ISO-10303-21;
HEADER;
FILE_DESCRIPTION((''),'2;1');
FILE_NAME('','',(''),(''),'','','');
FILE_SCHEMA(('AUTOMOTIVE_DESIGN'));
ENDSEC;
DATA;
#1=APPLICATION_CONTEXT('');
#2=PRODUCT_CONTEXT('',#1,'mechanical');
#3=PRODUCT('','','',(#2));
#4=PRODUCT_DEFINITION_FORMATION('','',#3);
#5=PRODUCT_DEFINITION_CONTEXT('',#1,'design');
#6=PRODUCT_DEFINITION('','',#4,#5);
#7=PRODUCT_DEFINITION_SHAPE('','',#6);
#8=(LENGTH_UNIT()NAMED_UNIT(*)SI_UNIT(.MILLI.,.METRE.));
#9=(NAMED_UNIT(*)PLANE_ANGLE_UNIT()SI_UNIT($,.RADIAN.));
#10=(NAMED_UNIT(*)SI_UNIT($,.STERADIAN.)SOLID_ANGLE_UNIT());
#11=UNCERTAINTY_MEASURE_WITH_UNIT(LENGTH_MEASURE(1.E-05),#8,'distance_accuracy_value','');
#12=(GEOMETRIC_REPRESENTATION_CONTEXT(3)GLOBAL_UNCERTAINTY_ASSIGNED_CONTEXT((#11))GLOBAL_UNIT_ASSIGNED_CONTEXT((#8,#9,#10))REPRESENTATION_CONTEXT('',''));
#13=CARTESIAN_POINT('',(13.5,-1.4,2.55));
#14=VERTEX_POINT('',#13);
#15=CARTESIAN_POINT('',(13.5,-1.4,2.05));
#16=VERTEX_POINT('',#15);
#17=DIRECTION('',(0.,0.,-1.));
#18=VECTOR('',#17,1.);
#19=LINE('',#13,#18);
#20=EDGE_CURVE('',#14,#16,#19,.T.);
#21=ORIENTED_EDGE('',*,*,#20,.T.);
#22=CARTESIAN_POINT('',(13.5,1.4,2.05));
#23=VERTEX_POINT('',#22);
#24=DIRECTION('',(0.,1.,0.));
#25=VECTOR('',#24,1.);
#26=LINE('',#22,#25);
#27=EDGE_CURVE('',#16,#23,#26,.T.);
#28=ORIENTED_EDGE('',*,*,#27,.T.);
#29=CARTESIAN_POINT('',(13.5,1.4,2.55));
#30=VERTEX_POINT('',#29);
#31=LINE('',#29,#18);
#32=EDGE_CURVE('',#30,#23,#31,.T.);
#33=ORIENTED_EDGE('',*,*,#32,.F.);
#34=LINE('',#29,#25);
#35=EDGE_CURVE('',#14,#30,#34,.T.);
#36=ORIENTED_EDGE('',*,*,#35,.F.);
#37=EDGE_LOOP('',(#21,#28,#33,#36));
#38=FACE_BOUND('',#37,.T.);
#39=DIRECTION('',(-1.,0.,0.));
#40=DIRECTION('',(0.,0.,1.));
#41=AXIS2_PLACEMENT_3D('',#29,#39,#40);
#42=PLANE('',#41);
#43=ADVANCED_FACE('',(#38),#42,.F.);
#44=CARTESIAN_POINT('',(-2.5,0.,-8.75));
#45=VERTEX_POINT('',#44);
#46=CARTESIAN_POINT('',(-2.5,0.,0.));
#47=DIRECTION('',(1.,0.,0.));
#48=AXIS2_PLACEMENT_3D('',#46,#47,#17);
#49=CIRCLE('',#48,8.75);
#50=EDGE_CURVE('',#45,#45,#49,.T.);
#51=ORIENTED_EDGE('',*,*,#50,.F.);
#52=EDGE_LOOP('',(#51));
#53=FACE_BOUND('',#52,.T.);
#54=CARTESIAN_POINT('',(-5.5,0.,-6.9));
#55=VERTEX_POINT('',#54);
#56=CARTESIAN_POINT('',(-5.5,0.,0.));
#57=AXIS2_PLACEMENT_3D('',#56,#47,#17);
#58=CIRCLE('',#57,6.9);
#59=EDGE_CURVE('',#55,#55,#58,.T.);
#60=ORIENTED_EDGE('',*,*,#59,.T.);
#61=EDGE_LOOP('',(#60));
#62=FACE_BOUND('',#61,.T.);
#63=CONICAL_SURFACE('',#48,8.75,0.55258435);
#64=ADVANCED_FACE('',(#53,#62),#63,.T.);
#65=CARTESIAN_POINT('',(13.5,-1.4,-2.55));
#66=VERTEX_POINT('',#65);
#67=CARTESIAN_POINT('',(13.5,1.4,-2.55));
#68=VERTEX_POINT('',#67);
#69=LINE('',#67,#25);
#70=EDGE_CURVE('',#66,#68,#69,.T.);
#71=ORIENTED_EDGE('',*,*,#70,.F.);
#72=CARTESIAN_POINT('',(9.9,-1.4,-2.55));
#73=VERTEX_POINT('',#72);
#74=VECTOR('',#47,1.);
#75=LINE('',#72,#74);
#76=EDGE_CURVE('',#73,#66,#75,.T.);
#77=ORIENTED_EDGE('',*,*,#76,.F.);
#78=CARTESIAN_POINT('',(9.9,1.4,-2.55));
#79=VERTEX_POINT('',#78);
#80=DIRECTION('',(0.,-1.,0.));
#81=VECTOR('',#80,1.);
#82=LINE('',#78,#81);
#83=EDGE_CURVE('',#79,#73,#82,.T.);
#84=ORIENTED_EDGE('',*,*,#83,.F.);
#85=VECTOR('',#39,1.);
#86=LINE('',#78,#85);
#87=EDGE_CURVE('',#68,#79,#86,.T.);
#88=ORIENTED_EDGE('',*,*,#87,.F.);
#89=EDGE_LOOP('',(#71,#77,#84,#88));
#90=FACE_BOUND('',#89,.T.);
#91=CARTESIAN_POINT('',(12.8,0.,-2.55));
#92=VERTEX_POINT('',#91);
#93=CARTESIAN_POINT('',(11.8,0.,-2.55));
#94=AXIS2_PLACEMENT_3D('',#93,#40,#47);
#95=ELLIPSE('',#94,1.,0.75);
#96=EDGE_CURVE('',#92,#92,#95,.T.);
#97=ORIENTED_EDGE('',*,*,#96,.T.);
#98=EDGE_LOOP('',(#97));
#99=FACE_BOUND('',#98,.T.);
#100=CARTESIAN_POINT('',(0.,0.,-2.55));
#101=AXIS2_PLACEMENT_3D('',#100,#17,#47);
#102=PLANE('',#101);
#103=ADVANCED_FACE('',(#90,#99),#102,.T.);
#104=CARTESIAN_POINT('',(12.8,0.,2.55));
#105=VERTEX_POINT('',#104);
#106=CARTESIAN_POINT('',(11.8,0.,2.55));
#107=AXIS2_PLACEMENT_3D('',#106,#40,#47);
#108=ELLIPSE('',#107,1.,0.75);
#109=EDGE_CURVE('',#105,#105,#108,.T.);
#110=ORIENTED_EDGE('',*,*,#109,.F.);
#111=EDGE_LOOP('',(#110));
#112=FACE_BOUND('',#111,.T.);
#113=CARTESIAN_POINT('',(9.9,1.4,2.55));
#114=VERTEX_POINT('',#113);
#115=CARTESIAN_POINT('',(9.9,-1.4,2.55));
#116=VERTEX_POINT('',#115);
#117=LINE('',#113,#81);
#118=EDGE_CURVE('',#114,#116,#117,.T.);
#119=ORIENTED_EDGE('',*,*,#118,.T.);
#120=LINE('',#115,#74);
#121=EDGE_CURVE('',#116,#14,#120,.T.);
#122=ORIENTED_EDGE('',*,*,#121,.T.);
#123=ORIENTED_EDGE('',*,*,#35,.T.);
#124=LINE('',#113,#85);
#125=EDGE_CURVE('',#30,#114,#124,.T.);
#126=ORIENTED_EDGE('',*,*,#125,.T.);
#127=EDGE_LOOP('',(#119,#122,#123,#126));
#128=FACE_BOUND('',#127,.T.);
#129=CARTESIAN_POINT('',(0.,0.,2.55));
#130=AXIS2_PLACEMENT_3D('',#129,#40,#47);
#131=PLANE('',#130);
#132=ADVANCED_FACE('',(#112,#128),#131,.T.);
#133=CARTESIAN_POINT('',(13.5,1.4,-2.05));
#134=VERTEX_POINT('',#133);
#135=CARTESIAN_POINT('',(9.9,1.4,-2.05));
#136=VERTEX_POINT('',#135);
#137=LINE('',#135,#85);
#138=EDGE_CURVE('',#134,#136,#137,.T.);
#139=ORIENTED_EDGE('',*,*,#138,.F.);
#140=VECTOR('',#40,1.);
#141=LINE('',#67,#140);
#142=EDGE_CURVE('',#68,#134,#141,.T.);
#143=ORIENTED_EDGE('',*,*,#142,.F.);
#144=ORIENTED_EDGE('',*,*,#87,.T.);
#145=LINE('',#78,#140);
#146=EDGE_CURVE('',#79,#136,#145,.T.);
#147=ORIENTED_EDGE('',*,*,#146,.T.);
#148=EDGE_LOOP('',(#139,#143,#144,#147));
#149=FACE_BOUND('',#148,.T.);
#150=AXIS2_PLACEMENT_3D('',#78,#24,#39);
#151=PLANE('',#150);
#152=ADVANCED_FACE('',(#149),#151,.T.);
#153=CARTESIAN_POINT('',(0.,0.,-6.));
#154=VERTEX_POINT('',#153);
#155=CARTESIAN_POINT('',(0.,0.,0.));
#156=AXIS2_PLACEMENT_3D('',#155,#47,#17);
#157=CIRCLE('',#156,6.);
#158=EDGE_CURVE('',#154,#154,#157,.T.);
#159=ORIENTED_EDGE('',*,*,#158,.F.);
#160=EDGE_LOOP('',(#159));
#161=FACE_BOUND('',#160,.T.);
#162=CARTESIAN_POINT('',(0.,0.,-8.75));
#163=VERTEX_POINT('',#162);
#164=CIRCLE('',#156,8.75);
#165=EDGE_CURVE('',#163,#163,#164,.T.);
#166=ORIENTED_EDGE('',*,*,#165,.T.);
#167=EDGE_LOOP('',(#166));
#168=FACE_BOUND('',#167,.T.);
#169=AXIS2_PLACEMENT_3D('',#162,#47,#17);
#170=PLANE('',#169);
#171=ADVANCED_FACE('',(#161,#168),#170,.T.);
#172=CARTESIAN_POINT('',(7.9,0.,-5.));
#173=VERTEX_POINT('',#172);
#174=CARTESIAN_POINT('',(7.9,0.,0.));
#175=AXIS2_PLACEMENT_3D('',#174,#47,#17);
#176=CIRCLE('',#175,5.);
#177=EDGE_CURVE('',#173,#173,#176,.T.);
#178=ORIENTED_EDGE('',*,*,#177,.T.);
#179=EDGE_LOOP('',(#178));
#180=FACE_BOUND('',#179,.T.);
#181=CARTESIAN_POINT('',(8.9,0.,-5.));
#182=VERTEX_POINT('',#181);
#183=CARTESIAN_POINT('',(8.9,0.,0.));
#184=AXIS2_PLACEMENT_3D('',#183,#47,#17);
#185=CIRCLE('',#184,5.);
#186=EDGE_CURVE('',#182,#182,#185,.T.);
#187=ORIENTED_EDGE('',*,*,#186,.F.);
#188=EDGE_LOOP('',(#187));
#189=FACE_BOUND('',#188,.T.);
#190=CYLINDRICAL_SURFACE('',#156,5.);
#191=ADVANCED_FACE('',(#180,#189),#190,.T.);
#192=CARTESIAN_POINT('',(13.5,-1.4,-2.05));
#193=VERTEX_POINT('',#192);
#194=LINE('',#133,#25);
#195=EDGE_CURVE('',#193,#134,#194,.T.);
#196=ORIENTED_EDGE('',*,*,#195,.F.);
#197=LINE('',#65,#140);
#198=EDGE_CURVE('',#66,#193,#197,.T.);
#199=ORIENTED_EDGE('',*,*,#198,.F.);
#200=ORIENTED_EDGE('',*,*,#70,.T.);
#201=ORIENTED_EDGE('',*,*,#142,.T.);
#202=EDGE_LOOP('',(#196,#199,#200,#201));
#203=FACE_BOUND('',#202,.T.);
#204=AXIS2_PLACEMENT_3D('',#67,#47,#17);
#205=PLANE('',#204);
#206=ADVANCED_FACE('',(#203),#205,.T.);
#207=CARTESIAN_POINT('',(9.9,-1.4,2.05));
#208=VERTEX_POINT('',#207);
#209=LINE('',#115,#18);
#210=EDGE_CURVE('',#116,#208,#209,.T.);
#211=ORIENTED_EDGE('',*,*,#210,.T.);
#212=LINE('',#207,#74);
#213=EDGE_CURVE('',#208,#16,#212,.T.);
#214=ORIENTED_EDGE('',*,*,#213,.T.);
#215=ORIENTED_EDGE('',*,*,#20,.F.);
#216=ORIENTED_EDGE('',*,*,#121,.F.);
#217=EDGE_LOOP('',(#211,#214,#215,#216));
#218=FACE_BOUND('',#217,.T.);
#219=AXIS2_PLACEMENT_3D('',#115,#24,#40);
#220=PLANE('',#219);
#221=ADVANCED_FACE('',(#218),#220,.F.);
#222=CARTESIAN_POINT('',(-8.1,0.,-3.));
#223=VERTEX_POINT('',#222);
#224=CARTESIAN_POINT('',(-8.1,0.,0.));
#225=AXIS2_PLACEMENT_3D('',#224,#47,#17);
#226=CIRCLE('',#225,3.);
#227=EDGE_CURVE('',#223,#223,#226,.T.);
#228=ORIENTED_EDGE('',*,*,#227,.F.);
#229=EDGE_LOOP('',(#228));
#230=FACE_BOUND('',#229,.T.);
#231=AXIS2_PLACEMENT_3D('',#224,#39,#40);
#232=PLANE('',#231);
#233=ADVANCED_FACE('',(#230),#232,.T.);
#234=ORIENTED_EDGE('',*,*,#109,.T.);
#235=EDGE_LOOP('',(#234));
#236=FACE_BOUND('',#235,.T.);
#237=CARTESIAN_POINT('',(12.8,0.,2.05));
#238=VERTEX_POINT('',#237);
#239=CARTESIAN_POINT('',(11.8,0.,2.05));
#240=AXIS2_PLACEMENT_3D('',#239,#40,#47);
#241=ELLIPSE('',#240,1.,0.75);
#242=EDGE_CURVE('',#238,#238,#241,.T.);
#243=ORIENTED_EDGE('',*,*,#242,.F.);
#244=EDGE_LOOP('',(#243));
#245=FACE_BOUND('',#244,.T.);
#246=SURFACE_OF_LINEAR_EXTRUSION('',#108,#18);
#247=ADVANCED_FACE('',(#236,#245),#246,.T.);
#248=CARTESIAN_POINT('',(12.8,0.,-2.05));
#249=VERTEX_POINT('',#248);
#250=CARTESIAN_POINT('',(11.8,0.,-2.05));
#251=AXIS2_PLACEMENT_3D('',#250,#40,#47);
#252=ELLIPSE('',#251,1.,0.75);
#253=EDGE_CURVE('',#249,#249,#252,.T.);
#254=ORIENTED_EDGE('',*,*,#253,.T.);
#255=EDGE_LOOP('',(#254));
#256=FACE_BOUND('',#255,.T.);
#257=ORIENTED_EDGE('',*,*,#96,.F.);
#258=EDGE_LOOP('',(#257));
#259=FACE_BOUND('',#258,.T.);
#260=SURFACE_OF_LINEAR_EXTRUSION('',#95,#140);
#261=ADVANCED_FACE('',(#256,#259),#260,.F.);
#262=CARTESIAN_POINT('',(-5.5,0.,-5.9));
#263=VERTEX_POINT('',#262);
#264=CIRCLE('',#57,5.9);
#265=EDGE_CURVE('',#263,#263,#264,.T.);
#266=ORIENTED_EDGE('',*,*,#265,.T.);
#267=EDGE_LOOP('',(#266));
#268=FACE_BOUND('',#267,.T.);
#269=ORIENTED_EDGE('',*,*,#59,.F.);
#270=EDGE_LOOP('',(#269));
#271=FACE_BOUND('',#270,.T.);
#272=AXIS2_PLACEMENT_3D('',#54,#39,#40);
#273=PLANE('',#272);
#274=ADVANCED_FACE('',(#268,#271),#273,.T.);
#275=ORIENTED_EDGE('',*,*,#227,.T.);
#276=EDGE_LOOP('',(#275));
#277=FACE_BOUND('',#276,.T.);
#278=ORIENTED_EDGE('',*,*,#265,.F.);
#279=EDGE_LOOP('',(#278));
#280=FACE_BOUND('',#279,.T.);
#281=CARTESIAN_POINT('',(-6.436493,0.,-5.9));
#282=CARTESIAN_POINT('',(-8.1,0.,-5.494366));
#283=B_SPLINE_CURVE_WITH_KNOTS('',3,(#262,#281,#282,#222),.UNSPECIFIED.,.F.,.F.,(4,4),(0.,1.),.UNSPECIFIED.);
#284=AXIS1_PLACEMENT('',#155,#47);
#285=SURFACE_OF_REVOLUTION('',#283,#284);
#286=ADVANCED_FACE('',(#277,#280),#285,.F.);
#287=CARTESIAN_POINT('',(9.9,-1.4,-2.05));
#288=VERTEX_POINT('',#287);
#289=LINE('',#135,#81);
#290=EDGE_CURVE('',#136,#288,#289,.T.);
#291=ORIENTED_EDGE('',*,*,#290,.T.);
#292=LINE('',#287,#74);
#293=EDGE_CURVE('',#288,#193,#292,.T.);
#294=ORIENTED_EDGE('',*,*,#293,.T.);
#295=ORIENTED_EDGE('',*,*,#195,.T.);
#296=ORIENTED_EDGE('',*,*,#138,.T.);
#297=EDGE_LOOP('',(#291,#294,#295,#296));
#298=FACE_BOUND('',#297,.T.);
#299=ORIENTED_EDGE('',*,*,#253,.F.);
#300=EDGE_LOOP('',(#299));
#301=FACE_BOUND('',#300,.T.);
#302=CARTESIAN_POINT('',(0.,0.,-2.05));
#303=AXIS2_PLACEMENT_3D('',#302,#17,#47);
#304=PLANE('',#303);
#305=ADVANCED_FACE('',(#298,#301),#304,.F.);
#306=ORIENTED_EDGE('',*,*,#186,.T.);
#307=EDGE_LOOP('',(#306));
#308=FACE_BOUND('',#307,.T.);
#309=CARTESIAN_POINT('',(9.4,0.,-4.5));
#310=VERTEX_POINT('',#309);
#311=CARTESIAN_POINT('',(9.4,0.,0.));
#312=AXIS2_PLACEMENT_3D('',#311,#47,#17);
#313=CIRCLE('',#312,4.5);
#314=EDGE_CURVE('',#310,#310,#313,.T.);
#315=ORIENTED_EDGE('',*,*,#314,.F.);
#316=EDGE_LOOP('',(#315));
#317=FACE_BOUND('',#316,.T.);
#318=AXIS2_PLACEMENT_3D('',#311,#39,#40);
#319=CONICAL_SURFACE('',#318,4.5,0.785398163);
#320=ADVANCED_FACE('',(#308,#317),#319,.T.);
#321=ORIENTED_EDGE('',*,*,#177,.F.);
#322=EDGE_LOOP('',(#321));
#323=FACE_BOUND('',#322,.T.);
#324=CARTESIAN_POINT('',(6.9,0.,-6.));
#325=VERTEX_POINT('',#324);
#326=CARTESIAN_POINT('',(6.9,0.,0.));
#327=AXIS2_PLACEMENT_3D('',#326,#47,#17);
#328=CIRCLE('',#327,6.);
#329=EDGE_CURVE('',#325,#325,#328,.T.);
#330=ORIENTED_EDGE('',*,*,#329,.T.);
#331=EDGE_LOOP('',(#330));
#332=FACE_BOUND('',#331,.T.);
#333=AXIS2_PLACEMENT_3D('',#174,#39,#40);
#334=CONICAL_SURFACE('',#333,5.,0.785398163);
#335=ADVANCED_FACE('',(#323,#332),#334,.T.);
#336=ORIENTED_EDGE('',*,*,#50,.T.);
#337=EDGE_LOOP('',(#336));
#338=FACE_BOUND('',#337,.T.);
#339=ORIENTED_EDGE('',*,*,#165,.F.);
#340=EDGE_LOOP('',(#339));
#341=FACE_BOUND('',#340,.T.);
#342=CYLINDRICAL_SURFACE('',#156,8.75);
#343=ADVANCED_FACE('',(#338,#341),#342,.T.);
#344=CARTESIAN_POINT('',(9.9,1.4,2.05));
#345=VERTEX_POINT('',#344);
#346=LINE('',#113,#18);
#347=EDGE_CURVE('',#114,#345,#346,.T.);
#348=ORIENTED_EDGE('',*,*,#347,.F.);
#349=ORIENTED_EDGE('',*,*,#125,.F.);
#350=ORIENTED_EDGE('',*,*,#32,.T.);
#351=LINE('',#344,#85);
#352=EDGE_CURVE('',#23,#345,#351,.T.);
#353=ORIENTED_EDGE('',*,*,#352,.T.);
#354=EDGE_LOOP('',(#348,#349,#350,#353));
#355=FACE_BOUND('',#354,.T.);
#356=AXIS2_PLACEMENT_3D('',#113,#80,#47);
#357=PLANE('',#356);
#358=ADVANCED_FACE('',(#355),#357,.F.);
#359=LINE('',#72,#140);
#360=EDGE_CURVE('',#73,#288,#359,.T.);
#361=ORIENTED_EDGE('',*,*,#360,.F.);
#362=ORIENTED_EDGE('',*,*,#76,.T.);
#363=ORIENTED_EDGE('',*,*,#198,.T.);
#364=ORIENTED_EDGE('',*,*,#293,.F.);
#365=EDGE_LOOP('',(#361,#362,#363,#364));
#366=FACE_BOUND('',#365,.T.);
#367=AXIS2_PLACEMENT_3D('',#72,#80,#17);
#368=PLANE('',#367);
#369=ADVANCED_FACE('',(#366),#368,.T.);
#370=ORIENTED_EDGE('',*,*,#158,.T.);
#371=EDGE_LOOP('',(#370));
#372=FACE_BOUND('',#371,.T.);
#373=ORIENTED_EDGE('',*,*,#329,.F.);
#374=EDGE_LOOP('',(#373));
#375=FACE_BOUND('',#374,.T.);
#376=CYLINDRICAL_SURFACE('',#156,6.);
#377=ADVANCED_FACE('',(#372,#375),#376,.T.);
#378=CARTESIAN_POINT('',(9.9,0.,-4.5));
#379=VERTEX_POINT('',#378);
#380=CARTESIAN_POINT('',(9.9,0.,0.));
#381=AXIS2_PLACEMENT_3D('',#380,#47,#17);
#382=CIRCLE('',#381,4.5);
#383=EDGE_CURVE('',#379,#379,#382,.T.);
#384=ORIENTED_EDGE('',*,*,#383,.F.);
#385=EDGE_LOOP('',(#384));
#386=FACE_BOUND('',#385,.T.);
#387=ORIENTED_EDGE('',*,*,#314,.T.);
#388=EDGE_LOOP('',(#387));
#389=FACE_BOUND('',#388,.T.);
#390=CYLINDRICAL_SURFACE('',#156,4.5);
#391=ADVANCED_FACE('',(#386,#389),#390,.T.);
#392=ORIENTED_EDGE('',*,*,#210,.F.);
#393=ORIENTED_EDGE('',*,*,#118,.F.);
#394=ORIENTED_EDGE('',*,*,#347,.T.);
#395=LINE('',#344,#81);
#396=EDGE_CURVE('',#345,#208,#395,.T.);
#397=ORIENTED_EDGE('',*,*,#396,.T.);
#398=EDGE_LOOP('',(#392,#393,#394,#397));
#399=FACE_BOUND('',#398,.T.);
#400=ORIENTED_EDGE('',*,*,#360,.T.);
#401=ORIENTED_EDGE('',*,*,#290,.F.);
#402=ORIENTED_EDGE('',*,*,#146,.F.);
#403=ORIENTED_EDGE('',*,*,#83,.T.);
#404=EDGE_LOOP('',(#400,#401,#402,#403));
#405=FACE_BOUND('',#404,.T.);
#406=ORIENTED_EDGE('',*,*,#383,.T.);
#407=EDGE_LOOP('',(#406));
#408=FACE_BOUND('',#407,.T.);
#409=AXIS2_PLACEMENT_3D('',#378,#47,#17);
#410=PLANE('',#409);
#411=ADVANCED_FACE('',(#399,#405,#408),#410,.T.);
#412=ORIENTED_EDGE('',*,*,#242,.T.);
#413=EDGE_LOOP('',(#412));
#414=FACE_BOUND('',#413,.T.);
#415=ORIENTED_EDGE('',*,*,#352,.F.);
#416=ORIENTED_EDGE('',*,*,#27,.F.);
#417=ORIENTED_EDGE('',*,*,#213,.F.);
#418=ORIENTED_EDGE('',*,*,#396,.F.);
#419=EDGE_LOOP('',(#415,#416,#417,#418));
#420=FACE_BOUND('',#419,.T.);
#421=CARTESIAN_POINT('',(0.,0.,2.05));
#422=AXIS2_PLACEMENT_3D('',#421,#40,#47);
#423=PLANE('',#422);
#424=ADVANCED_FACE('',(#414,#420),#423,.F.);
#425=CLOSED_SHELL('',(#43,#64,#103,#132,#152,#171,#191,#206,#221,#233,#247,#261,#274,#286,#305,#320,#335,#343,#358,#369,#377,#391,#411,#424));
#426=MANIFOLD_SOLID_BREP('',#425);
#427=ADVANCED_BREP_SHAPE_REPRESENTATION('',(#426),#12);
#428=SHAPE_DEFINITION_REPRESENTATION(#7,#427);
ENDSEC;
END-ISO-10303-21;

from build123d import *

# Parameters (mm, degrees)
SKETCH3_W           = 3.6
SKETCH3_H           = 2.8
SKETCH3_RX          = 1
SKETCH3_RY          = 0.75
BOSS_EXTRUDE1_DEPTH = 0.25


with BuildPart() as part:
    # Sketch2 → Revolve1 (revolve)
    with BuildSketch(Plane(origin=(0, 0, 0), x_dir=(1, 0, 0), z_dir=(0, 1, 0))):
        with BuildLine():
            Line((0, 8.75), (-2.5, 8.75))
            Line((-2.5, 8.75), (-5.5, 6.9))
            Line((-5.5, 6.9), (-5.5, 5.9))
            add(Edge.make_bspline(
                [(-5.5, 5.9), (-6.436492627, 5.9), (-8.1, 5.494365828), (-8.1, 3)],
                knots=[0, 0, 0, 0, 1, 1, 1, 1], degree=3))
            Line((-8.1, 3), (-8.1, 0))
            Line((-8.1, 0), (0, 0))
            Line((0, 0), (9.9, 0))
            Line((9.9, 0), (9.9, 4.5))
            Line((9.9, 4.5), (9.4, 4.5))
            Line((9.4, 4.5), (8.9, 5))
            Line((8.9, 5), (7.9, 5))
            Line((7.9, 5), (6.9, 6))
            Line((6.9, 6), (0, 6))
            Line((0, 6), (0, 8.75))
        make_face()
    revolve(axis=Axis((0, 0, 0), (-1, 0, 0)))

    # Sketch3 → Boss-Extrude1 (add, symmetric)
    with BuildSketch(Plane.XY.offset(2.3)):
        with Locations((11.7, 0)):
            Rectangle(SKETCH3_W, SKETCH3_H)
        with Locations((11.8, 0)):
            Ellipse(SKETCH3_RX, SKETCH3_RY, mode=Mode.SUBTRACT)
    boss_extrude1 = extrude(amount=BOSS_EXTRUDE1_DEPTH, both=True)

    # Mirror1: Boss-Extrude1 across plane
    add(boss_extrude1.mirror(Plane.XY))


solid = part.part
